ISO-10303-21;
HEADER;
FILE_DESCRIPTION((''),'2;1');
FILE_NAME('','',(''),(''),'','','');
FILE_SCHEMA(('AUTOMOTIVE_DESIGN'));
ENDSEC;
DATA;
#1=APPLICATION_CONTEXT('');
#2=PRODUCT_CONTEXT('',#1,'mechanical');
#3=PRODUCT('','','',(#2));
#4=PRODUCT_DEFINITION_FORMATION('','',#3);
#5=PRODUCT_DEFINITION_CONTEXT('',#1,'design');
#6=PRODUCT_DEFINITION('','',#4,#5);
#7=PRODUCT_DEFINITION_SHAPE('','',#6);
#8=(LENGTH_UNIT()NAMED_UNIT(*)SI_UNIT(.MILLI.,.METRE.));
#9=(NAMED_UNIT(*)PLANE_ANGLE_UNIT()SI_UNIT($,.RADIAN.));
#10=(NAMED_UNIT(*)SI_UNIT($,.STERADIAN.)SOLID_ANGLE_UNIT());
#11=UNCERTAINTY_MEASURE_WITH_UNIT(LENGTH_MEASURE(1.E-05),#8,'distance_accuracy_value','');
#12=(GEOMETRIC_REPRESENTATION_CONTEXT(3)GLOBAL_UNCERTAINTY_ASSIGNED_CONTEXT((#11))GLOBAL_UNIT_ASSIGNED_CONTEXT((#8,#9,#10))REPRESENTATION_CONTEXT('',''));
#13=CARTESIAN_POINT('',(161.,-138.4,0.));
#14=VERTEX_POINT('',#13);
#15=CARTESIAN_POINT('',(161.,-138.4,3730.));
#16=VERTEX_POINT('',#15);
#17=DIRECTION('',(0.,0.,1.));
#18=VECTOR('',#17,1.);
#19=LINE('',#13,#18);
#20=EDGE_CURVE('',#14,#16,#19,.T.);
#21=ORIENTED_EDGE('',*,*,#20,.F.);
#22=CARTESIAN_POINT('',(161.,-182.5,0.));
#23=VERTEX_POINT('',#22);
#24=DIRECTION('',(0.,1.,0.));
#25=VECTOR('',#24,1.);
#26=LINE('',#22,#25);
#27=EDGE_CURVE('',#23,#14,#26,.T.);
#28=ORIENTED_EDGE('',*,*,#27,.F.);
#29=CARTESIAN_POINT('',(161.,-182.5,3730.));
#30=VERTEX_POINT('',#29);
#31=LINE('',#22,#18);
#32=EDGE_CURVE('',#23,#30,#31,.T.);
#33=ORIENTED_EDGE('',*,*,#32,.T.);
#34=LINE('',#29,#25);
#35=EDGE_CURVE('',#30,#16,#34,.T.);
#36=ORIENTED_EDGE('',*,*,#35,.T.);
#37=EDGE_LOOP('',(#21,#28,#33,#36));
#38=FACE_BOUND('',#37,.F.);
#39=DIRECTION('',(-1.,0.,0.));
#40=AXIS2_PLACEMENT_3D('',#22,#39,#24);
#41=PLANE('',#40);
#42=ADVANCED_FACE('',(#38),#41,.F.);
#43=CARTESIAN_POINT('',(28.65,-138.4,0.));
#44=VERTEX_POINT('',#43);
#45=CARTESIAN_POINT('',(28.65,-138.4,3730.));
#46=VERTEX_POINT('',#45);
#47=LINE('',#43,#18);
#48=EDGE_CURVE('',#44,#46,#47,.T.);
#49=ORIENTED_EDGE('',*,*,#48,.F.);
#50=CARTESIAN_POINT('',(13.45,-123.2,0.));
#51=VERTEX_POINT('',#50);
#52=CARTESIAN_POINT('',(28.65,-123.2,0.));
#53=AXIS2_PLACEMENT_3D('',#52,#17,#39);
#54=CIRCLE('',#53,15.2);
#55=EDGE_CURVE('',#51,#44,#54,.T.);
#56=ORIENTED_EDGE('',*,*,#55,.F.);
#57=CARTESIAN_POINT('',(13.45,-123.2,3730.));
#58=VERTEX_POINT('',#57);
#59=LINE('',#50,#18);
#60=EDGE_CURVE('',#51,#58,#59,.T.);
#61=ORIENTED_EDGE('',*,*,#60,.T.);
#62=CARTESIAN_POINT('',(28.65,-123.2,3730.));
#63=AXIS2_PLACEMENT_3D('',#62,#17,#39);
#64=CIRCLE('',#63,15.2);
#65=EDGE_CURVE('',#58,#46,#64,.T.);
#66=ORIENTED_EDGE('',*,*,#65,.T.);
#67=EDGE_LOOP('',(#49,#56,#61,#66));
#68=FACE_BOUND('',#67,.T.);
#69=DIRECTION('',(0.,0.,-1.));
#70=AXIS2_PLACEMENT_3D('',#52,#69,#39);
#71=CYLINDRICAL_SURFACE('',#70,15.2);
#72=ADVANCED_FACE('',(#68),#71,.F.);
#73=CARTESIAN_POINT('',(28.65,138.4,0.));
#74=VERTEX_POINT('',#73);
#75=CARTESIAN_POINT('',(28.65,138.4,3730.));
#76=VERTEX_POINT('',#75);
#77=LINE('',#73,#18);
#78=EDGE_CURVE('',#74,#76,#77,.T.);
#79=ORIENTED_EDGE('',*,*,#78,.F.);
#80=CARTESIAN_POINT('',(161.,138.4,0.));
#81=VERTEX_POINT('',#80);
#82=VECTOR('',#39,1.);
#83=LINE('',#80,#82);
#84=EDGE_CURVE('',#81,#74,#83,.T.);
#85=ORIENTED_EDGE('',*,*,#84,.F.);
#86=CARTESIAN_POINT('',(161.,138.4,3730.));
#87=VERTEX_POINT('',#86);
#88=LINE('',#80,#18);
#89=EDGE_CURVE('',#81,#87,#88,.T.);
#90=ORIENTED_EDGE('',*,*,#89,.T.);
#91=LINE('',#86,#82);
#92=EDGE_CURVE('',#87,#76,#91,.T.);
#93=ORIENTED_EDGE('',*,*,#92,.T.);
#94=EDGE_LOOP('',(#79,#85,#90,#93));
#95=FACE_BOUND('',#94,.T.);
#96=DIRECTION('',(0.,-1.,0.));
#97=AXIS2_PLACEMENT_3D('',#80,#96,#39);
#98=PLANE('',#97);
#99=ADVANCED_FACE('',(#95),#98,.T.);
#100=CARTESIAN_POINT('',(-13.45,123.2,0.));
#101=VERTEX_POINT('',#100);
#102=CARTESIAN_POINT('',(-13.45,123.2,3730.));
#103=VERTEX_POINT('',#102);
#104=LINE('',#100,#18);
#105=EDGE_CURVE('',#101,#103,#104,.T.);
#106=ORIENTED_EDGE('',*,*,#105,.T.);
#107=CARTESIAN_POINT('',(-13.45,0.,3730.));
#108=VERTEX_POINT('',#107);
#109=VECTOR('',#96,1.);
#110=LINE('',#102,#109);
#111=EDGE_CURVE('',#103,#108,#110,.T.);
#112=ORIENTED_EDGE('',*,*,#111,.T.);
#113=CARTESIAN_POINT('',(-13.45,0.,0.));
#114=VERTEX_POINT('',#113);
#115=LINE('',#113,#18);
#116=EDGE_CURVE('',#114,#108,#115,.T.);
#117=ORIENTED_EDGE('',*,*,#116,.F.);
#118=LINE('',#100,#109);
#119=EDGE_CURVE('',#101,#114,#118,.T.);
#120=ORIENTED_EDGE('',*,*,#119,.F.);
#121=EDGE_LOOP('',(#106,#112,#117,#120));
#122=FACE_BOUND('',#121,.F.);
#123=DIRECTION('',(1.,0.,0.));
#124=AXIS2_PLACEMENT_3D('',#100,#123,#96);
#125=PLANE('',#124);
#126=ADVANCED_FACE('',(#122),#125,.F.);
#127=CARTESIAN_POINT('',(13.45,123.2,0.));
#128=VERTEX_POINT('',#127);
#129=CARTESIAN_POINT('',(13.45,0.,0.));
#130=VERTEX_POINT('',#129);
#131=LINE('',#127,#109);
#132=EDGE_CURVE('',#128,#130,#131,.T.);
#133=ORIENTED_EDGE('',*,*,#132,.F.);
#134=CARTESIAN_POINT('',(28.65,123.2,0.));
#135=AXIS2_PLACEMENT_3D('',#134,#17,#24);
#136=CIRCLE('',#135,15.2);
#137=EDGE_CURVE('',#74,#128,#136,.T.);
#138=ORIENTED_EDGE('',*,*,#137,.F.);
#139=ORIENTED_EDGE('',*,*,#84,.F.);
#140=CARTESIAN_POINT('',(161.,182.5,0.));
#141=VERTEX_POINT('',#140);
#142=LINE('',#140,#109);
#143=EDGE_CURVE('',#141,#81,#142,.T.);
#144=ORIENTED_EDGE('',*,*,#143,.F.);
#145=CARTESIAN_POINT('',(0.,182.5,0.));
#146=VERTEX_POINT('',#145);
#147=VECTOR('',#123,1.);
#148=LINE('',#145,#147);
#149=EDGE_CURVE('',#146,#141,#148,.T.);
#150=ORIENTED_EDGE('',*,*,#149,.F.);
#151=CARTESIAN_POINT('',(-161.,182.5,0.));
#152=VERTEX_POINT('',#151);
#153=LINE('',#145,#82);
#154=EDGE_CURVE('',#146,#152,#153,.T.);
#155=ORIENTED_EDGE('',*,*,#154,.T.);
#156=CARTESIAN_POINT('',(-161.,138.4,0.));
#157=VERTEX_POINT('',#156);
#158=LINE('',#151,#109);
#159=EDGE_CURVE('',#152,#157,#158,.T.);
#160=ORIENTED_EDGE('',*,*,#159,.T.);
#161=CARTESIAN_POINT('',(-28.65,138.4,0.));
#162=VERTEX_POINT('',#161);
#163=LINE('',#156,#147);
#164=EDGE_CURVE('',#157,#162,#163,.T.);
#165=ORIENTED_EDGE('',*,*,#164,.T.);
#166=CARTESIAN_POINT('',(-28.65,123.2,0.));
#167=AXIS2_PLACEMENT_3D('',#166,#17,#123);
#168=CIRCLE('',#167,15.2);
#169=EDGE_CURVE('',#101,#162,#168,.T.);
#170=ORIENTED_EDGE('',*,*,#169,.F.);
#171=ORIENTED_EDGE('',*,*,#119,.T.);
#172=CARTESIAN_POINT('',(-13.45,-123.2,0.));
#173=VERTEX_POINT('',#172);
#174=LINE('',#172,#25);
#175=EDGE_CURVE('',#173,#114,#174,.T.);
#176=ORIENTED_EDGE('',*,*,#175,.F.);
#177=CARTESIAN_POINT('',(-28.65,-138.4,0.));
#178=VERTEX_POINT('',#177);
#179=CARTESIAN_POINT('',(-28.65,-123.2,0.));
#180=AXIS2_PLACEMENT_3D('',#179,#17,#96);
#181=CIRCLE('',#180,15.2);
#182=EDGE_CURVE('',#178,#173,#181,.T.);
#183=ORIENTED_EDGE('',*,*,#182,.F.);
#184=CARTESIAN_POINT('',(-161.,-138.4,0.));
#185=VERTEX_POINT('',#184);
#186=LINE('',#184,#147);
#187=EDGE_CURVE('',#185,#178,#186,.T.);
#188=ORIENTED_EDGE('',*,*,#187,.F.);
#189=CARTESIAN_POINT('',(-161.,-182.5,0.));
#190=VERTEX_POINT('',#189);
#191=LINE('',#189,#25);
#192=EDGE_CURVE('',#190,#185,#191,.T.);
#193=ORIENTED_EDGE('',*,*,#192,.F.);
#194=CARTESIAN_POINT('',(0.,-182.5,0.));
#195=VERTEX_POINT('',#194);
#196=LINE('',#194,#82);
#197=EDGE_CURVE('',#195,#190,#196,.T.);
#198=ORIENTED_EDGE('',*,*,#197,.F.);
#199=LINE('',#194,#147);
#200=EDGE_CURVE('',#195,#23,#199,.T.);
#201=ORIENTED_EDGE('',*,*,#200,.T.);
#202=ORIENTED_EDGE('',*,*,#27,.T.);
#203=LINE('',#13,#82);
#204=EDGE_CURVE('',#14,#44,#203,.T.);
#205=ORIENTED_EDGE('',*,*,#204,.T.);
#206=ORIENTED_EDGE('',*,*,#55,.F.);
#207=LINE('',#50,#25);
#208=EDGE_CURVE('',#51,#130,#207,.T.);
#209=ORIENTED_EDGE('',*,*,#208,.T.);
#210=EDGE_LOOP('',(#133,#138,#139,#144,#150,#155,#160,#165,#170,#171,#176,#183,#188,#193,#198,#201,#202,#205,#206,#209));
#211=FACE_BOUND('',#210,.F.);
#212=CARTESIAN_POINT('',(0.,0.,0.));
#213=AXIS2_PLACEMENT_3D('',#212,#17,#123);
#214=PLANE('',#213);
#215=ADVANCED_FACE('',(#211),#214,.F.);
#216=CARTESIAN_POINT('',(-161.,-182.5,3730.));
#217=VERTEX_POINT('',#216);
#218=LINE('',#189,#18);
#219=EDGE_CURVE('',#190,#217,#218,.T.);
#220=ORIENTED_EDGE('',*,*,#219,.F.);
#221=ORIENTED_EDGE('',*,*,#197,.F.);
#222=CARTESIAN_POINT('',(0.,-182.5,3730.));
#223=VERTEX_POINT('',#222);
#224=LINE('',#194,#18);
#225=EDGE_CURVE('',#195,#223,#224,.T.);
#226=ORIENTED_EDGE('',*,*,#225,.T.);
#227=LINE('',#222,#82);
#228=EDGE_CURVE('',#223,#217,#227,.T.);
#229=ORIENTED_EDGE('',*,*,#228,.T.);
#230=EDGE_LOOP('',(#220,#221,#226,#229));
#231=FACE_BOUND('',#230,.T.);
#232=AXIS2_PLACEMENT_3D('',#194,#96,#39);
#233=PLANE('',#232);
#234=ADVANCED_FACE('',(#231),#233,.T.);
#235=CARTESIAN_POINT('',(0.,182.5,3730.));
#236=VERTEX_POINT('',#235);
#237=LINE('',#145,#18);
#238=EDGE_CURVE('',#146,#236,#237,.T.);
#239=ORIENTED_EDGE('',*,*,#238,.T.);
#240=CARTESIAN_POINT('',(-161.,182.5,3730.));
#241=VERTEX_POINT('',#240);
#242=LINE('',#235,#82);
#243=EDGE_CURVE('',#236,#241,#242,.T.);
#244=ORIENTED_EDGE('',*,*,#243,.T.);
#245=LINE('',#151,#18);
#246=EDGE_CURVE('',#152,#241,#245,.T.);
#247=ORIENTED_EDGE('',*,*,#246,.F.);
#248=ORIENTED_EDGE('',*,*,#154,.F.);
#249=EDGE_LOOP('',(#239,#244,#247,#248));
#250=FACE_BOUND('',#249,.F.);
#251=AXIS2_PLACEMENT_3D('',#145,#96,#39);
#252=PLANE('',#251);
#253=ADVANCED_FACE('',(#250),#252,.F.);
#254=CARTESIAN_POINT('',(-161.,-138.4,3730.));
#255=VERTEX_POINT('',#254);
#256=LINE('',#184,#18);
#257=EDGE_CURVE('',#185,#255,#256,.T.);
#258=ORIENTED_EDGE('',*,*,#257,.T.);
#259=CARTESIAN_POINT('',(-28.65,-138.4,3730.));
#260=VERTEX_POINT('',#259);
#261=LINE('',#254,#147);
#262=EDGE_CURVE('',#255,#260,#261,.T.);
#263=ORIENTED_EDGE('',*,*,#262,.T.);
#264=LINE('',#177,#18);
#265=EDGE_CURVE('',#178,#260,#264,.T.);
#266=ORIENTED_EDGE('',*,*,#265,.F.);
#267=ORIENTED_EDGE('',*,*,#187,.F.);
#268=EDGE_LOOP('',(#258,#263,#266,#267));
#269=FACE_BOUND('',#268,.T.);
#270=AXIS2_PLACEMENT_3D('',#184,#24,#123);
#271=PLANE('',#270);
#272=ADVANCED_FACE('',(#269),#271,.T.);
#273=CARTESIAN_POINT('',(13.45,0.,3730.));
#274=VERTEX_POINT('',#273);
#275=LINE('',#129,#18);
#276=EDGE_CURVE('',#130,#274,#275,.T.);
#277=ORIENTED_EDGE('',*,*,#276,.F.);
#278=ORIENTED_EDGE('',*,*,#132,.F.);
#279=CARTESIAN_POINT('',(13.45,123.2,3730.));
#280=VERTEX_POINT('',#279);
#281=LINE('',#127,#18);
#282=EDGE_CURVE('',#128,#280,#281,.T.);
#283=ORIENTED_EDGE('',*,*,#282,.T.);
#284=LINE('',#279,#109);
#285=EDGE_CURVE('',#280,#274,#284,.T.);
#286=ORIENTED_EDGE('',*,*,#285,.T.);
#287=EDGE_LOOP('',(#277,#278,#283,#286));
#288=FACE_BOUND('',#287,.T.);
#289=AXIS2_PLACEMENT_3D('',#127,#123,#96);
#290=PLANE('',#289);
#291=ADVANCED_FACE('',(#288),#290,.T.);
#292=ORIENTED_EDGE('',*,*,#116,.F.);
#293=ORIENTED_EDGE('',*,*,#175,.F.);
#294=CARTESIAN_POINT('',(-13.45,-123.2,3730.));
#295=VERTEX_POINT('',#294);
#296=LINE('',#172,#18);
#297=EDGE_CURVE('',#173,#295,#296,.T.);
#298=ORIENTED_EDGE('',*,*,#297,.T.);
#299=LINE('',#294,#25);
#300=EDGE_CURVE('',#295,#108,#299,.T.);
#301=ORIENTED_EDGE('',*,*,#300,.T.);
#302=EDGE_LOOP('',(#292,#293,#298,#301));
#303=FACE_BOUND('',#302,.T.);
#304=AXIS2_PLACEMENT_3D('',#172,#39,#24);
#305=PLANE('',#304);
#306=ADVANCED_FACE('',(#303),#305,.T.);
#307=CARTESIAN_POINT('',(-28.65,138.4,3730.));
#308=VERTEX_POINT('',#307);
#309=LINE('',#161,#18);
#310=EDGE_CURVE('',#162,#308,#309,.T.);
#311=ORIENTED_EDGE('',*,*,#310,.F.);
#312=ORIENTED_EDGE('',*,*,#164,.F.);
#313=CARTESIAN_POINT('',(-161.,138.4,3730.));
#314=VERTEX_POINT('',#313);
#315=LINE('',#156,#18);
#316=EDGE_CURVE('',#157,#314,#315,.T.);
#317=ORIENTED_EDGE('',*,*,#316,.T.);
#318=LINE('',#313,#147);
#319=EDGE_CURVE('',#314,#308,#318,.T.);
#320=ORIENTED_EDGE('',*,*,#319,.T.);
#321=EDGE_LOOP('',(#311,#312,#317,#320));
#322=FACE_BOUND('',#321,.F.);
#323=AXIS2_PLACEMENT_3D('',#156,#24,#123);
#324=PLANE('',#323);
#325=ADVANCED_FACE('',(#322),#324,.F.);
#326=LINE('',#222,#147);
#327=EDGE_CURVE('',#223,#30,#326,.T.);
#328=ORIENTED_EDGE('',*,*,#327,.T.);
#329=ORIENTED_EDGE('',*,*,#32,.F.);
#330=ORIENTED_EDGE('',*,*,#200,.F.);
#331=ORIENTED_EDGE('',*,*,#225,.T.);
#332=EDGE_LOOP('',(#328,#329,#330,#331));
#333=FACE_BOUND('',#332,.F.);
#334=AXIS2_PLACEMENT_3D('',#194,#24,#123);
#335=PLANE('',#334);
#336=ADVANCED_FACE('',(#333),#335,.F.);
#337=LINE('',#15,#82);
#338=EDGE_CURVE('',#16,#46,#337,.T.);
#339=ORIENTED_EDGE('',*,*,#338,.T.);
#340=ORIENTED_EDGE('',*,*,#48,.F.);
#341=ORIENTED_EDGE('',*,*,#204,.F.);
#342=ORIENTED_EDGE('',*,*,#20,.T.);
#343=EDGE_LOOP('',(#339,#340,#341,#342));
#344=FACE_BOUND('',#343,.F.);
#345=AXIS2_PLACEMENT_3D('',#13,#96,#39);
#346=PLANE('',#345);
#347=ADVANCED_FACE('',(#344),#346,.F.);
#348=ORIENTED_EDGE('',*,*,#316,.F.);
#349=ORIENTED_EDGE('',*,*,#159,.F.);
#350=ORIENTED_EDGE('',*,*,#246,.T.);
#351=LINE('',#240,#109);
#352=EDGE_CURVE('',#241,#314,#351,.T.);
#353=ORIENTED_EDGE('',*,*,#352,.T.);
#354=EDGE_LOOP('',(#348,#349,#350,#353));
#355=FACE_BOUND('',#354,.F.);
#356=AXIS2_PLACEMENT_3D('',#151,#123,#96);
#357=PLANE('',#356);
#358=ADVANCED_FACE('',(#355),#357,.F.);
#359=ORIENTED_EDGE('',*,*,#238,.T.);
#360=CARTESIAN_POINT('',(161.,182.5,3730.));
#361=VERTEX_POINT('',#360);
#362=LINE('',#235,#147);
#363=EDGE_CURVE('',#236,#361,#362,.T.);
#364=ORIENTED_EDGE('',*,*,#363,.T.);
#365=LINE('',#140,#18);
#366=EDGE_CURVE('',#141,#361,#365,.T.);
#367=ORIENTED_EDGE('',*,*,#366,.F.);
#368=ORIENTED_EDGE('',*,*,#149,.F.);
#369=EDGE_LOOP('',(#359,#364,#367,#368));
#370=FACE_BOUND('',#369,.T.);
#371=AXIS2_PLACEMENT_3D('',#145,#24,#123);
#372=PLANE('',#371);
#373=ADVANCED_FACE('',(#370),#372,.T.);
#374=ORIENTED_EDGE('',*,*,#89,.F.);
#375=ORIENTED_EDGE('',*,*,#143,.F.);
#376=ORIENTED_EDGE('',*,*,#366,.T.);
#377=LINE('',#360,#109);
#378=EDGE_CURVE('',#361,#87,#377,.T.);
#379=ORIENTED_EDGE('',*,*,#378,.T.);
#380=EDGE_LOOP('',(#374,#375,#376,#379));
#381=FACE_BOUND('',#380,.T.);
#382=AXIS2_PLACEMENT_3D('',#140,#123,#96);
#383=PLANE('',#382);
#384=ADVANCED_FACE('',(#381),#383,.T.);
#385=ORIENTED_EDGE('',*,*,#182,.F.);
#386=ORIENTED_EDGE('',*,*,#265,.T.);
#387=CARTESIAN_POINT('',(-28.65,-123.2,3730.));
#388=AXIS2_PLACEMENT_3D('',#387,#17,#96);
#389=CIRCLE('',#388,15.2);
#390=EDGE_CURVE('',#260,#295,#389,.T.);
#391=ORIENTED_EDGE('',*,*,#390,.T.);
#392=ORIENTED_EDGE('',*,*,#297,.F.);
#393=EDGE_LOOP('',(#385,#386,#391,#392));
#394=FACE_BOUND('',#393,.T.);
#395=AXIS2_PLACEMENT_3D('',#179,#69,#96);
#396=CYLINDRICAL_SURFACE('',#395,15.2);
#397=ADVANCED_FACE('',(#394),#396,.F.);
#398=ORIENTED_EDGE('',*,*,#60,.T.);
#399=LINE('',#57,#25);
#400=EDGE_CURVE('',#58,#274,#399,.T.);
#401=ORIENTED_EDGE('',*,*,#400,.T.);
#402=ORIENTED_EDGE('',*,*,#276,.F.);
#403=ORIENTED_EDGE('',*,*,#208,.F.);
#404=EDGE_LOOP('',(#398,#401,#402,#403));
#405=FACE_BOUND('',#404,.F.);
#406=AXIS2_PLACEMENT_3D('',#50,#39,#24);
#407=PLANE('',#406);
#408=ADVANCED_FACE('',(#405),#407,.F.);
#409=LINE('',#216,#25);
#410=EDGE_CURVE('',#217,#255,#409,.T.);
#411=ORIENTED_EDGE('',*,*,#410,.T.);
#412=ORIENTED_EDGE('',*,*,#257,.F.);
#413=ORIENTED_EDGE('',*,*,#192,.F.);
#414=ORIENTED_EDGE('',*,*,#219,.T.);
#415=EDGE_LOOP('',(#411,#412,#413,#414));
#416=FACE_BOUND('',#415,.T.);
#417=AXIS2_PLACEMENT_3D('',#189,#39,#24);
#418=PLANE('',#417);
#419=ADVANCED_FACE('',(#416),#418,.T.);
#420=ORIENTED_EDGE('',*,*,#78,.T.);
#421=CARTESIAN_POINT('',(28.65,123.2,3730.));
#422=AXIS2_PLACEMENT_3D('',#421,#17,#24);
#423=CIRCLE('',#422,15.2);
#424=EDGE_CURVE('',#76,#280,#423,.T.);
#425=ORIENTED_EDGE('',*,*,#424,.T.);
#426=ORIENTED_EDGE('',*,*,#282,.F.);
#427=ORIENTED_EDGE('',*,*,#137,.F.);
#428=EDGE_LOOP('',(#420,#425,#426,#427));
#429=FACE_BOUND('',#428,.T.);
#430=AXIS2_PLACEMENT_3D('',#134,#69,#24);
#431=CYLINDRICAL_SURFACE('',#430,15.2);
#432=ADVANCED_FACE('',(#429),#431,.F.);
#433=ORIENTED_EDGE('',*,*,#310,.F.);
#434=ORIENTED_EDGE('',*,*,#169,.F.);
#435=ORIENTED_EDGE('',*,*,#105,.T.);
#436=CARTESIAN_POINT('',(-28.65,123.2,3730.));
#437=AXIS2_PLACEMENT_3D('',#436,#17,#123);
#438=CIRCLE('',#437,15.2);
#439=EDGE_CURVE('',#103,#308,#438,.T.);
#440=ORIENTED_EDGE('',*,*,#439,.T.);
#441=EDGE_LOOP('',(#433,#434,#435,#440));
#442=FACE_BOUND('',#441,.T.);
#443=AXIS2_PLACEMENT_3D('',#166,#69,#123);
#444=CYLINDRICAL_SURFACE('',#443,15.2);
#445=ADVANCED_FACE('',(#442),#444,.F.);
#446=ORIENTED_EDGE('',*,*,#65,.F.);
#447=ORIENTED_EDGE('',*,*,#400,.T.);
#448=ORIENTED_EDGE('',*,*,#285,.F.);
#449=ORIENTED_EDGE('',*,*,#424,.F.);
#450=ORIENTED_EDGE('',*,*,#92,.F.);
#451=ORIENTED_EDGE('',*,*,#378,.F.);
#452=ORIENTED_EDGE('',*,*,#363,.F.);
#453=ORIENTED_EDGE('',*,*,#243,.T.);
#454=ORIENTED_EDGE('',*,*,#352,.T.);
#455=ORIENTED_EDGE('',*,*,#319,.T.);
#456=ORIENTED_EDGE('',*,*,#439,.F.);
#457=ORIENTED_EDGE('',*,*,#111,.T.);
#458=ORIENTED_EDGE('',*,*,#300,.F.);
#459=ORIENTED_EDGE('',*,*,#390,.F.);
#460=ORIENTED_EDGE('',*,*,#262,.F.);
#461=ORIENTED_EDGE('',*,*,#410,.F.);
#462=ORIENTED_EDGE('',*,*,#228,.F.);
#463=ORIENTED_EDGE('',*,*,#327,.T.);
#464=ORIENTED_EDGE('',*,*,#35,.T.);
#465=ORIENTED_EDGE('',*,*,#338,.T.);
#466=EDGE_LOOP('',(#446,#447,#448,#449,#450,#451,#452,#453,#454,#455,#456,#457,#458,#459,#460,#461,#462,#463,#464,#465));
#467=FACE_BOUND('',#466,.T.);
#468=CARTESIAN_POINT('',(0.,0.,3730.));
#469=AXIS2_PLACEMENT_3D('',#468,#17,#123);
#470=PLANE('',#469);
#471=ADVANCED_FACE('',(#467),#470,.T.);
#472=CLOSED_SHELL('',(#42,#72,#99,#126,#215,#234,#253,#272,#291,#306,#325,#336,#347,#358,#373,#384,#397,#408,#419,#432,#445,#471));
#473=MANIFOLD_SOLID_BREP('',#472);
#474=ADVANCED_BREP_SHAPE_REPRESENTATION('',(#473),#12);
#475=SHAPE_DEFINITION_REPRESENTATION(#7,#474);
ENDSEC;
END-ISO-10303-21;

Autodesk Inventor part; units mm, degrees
ref_plane "YZ Plane" through (0, 0, 0) normal (1, 0, 0) x (0, 1, 0)
ref_plane "Start plane" through (0, 0, 0) normal (0, 0, 1) x (1, 0, 0)
ref_plane "End plane" through (0, 0, 3730) normal (0, 0, 1) x (1, 0, 0)
sketch "Sketch" plane through (0, 0, 0) normal (0, 0, 1) x (1, 0, 0)
  line L0 (-161, -182.5) -> (-161, -138.4)
  line L1 (-161, -138.4) -> (-28.65, -138.4)
  line L2 (-13.45, -123.2) -> (-13.45, 0)
  line L3 (-13.45, 0) -> (0, 0) construction
  line L4 (0, 0) -> (0, -182.5) construction
  line L5 (0, -182.5) -> (-161, -182.5)
  line L6 (-60, 0) -> (80, 0) construction
  line L7 (0, -60) -> (0, 80) construction
  line L8 (161, -182.5) -> (161, -138.4)
  line L9 (161, -138.4) -> (28.65, -138.4)
  line L10 (13.45, -123.2) -> (13.45, 0)
  line L11 (13.45, 0) -> (0, 0) construction
  line L12 (0, -182.5) -> (161, -182.5)
  line L13 (-161, 182.5) -> (-161, 138.4)
  line L14 (-161, 138.4) -> (-28.65, 138.4)
  line L15 (-13.45, 123.2) -> (-13.45, 0)
  line L16 (0, 182.5) -> (-161, 182.5)
  line L17 (161, 182.5) -> (161, 138.4)
  line L18 (161, 138.4) -> (28.65, 138.4)
  line L19 (0, 182.5) -> (161, 182.5)
  line L20 (13.45, 123.2) -> (13.45, 0)
  arc A0 (-13.45, 123.2) -> (-28.65, 138.4) centre (-28.65, 123.2) ccw
  arc A1 (28.65, 138.4) -> (13.45, 123.2) centre (28.65, 123.2) ccw
  arc A2 (13.45, -123.2) -> (28.65, -138.4) centre (28.65, -123.2) ccw
  arc A3 (-28.65, -138.4) -> (-13.45, -123.2) centre (-28.65, -123.2) ccw
  line L21 (0, 108) -> (0, -88) construction
  line L22 (-88, 0) -> (108, 0) construction
  point P0 (-13.45, -138.4)
  point P1 (13.45, -138.4)
  point P2 (-13.45, 138.4)
  point P3 (13.45, 138.4)
  dimension "d1" = 182.5
  dimension "d2" = 44.1
  dimension "d3" = 161
  dimension "d4" = 13.45
  dimension "d10" = 15.2
extrude "Body" add sketch "Sketch" along normal up to surface (3730 mm away) from surface at 0
sketch "Sketch4" plane through (0, 0, 0) normal (0, 0, 1) x (1, 0, 0)
  line L0 (0, 0) -> (10, 0)
ref_plane "Work Plane3" through (0, 0, 0) normal (0, -1, 0) x (1, 0, 0)
sketch "Sketch5" plane through (0, 0, 0) normal (0, -1, 0) x (1, 0, 0)
  line L0 (-2, 0) -> (12, 0) projected
  line L1 (-2, 3730) -> (12, 3730) projected
  dimension "d14" = 3730
equation "\"d1\" = 0.5 * G_H"
equation "\"d2\" = G_T1"
equation "\"d3\" = 0.5 * G_W"
equation "\"d4\" = 0.5 * G_T"
equation "\"d10\" = G_IR"
equation "\"d5\" = G_L"
equation "\"G_W\" = 322"
equation "\"G_H\" = 365"
equation "\"G_T\" = 26.9"
equation "\"G_T1\" = 44.1"
equation "\"G_IR\" = 15.2"
equation "\"G_L\" = d14"
equation "\"G_OFFSET_START\" = 0"
equation "\"G_OFFSET_END\" = 0"
properties part number "AS 3679 - 310 UC - 283 - 3730" material "Steel, Mild"
